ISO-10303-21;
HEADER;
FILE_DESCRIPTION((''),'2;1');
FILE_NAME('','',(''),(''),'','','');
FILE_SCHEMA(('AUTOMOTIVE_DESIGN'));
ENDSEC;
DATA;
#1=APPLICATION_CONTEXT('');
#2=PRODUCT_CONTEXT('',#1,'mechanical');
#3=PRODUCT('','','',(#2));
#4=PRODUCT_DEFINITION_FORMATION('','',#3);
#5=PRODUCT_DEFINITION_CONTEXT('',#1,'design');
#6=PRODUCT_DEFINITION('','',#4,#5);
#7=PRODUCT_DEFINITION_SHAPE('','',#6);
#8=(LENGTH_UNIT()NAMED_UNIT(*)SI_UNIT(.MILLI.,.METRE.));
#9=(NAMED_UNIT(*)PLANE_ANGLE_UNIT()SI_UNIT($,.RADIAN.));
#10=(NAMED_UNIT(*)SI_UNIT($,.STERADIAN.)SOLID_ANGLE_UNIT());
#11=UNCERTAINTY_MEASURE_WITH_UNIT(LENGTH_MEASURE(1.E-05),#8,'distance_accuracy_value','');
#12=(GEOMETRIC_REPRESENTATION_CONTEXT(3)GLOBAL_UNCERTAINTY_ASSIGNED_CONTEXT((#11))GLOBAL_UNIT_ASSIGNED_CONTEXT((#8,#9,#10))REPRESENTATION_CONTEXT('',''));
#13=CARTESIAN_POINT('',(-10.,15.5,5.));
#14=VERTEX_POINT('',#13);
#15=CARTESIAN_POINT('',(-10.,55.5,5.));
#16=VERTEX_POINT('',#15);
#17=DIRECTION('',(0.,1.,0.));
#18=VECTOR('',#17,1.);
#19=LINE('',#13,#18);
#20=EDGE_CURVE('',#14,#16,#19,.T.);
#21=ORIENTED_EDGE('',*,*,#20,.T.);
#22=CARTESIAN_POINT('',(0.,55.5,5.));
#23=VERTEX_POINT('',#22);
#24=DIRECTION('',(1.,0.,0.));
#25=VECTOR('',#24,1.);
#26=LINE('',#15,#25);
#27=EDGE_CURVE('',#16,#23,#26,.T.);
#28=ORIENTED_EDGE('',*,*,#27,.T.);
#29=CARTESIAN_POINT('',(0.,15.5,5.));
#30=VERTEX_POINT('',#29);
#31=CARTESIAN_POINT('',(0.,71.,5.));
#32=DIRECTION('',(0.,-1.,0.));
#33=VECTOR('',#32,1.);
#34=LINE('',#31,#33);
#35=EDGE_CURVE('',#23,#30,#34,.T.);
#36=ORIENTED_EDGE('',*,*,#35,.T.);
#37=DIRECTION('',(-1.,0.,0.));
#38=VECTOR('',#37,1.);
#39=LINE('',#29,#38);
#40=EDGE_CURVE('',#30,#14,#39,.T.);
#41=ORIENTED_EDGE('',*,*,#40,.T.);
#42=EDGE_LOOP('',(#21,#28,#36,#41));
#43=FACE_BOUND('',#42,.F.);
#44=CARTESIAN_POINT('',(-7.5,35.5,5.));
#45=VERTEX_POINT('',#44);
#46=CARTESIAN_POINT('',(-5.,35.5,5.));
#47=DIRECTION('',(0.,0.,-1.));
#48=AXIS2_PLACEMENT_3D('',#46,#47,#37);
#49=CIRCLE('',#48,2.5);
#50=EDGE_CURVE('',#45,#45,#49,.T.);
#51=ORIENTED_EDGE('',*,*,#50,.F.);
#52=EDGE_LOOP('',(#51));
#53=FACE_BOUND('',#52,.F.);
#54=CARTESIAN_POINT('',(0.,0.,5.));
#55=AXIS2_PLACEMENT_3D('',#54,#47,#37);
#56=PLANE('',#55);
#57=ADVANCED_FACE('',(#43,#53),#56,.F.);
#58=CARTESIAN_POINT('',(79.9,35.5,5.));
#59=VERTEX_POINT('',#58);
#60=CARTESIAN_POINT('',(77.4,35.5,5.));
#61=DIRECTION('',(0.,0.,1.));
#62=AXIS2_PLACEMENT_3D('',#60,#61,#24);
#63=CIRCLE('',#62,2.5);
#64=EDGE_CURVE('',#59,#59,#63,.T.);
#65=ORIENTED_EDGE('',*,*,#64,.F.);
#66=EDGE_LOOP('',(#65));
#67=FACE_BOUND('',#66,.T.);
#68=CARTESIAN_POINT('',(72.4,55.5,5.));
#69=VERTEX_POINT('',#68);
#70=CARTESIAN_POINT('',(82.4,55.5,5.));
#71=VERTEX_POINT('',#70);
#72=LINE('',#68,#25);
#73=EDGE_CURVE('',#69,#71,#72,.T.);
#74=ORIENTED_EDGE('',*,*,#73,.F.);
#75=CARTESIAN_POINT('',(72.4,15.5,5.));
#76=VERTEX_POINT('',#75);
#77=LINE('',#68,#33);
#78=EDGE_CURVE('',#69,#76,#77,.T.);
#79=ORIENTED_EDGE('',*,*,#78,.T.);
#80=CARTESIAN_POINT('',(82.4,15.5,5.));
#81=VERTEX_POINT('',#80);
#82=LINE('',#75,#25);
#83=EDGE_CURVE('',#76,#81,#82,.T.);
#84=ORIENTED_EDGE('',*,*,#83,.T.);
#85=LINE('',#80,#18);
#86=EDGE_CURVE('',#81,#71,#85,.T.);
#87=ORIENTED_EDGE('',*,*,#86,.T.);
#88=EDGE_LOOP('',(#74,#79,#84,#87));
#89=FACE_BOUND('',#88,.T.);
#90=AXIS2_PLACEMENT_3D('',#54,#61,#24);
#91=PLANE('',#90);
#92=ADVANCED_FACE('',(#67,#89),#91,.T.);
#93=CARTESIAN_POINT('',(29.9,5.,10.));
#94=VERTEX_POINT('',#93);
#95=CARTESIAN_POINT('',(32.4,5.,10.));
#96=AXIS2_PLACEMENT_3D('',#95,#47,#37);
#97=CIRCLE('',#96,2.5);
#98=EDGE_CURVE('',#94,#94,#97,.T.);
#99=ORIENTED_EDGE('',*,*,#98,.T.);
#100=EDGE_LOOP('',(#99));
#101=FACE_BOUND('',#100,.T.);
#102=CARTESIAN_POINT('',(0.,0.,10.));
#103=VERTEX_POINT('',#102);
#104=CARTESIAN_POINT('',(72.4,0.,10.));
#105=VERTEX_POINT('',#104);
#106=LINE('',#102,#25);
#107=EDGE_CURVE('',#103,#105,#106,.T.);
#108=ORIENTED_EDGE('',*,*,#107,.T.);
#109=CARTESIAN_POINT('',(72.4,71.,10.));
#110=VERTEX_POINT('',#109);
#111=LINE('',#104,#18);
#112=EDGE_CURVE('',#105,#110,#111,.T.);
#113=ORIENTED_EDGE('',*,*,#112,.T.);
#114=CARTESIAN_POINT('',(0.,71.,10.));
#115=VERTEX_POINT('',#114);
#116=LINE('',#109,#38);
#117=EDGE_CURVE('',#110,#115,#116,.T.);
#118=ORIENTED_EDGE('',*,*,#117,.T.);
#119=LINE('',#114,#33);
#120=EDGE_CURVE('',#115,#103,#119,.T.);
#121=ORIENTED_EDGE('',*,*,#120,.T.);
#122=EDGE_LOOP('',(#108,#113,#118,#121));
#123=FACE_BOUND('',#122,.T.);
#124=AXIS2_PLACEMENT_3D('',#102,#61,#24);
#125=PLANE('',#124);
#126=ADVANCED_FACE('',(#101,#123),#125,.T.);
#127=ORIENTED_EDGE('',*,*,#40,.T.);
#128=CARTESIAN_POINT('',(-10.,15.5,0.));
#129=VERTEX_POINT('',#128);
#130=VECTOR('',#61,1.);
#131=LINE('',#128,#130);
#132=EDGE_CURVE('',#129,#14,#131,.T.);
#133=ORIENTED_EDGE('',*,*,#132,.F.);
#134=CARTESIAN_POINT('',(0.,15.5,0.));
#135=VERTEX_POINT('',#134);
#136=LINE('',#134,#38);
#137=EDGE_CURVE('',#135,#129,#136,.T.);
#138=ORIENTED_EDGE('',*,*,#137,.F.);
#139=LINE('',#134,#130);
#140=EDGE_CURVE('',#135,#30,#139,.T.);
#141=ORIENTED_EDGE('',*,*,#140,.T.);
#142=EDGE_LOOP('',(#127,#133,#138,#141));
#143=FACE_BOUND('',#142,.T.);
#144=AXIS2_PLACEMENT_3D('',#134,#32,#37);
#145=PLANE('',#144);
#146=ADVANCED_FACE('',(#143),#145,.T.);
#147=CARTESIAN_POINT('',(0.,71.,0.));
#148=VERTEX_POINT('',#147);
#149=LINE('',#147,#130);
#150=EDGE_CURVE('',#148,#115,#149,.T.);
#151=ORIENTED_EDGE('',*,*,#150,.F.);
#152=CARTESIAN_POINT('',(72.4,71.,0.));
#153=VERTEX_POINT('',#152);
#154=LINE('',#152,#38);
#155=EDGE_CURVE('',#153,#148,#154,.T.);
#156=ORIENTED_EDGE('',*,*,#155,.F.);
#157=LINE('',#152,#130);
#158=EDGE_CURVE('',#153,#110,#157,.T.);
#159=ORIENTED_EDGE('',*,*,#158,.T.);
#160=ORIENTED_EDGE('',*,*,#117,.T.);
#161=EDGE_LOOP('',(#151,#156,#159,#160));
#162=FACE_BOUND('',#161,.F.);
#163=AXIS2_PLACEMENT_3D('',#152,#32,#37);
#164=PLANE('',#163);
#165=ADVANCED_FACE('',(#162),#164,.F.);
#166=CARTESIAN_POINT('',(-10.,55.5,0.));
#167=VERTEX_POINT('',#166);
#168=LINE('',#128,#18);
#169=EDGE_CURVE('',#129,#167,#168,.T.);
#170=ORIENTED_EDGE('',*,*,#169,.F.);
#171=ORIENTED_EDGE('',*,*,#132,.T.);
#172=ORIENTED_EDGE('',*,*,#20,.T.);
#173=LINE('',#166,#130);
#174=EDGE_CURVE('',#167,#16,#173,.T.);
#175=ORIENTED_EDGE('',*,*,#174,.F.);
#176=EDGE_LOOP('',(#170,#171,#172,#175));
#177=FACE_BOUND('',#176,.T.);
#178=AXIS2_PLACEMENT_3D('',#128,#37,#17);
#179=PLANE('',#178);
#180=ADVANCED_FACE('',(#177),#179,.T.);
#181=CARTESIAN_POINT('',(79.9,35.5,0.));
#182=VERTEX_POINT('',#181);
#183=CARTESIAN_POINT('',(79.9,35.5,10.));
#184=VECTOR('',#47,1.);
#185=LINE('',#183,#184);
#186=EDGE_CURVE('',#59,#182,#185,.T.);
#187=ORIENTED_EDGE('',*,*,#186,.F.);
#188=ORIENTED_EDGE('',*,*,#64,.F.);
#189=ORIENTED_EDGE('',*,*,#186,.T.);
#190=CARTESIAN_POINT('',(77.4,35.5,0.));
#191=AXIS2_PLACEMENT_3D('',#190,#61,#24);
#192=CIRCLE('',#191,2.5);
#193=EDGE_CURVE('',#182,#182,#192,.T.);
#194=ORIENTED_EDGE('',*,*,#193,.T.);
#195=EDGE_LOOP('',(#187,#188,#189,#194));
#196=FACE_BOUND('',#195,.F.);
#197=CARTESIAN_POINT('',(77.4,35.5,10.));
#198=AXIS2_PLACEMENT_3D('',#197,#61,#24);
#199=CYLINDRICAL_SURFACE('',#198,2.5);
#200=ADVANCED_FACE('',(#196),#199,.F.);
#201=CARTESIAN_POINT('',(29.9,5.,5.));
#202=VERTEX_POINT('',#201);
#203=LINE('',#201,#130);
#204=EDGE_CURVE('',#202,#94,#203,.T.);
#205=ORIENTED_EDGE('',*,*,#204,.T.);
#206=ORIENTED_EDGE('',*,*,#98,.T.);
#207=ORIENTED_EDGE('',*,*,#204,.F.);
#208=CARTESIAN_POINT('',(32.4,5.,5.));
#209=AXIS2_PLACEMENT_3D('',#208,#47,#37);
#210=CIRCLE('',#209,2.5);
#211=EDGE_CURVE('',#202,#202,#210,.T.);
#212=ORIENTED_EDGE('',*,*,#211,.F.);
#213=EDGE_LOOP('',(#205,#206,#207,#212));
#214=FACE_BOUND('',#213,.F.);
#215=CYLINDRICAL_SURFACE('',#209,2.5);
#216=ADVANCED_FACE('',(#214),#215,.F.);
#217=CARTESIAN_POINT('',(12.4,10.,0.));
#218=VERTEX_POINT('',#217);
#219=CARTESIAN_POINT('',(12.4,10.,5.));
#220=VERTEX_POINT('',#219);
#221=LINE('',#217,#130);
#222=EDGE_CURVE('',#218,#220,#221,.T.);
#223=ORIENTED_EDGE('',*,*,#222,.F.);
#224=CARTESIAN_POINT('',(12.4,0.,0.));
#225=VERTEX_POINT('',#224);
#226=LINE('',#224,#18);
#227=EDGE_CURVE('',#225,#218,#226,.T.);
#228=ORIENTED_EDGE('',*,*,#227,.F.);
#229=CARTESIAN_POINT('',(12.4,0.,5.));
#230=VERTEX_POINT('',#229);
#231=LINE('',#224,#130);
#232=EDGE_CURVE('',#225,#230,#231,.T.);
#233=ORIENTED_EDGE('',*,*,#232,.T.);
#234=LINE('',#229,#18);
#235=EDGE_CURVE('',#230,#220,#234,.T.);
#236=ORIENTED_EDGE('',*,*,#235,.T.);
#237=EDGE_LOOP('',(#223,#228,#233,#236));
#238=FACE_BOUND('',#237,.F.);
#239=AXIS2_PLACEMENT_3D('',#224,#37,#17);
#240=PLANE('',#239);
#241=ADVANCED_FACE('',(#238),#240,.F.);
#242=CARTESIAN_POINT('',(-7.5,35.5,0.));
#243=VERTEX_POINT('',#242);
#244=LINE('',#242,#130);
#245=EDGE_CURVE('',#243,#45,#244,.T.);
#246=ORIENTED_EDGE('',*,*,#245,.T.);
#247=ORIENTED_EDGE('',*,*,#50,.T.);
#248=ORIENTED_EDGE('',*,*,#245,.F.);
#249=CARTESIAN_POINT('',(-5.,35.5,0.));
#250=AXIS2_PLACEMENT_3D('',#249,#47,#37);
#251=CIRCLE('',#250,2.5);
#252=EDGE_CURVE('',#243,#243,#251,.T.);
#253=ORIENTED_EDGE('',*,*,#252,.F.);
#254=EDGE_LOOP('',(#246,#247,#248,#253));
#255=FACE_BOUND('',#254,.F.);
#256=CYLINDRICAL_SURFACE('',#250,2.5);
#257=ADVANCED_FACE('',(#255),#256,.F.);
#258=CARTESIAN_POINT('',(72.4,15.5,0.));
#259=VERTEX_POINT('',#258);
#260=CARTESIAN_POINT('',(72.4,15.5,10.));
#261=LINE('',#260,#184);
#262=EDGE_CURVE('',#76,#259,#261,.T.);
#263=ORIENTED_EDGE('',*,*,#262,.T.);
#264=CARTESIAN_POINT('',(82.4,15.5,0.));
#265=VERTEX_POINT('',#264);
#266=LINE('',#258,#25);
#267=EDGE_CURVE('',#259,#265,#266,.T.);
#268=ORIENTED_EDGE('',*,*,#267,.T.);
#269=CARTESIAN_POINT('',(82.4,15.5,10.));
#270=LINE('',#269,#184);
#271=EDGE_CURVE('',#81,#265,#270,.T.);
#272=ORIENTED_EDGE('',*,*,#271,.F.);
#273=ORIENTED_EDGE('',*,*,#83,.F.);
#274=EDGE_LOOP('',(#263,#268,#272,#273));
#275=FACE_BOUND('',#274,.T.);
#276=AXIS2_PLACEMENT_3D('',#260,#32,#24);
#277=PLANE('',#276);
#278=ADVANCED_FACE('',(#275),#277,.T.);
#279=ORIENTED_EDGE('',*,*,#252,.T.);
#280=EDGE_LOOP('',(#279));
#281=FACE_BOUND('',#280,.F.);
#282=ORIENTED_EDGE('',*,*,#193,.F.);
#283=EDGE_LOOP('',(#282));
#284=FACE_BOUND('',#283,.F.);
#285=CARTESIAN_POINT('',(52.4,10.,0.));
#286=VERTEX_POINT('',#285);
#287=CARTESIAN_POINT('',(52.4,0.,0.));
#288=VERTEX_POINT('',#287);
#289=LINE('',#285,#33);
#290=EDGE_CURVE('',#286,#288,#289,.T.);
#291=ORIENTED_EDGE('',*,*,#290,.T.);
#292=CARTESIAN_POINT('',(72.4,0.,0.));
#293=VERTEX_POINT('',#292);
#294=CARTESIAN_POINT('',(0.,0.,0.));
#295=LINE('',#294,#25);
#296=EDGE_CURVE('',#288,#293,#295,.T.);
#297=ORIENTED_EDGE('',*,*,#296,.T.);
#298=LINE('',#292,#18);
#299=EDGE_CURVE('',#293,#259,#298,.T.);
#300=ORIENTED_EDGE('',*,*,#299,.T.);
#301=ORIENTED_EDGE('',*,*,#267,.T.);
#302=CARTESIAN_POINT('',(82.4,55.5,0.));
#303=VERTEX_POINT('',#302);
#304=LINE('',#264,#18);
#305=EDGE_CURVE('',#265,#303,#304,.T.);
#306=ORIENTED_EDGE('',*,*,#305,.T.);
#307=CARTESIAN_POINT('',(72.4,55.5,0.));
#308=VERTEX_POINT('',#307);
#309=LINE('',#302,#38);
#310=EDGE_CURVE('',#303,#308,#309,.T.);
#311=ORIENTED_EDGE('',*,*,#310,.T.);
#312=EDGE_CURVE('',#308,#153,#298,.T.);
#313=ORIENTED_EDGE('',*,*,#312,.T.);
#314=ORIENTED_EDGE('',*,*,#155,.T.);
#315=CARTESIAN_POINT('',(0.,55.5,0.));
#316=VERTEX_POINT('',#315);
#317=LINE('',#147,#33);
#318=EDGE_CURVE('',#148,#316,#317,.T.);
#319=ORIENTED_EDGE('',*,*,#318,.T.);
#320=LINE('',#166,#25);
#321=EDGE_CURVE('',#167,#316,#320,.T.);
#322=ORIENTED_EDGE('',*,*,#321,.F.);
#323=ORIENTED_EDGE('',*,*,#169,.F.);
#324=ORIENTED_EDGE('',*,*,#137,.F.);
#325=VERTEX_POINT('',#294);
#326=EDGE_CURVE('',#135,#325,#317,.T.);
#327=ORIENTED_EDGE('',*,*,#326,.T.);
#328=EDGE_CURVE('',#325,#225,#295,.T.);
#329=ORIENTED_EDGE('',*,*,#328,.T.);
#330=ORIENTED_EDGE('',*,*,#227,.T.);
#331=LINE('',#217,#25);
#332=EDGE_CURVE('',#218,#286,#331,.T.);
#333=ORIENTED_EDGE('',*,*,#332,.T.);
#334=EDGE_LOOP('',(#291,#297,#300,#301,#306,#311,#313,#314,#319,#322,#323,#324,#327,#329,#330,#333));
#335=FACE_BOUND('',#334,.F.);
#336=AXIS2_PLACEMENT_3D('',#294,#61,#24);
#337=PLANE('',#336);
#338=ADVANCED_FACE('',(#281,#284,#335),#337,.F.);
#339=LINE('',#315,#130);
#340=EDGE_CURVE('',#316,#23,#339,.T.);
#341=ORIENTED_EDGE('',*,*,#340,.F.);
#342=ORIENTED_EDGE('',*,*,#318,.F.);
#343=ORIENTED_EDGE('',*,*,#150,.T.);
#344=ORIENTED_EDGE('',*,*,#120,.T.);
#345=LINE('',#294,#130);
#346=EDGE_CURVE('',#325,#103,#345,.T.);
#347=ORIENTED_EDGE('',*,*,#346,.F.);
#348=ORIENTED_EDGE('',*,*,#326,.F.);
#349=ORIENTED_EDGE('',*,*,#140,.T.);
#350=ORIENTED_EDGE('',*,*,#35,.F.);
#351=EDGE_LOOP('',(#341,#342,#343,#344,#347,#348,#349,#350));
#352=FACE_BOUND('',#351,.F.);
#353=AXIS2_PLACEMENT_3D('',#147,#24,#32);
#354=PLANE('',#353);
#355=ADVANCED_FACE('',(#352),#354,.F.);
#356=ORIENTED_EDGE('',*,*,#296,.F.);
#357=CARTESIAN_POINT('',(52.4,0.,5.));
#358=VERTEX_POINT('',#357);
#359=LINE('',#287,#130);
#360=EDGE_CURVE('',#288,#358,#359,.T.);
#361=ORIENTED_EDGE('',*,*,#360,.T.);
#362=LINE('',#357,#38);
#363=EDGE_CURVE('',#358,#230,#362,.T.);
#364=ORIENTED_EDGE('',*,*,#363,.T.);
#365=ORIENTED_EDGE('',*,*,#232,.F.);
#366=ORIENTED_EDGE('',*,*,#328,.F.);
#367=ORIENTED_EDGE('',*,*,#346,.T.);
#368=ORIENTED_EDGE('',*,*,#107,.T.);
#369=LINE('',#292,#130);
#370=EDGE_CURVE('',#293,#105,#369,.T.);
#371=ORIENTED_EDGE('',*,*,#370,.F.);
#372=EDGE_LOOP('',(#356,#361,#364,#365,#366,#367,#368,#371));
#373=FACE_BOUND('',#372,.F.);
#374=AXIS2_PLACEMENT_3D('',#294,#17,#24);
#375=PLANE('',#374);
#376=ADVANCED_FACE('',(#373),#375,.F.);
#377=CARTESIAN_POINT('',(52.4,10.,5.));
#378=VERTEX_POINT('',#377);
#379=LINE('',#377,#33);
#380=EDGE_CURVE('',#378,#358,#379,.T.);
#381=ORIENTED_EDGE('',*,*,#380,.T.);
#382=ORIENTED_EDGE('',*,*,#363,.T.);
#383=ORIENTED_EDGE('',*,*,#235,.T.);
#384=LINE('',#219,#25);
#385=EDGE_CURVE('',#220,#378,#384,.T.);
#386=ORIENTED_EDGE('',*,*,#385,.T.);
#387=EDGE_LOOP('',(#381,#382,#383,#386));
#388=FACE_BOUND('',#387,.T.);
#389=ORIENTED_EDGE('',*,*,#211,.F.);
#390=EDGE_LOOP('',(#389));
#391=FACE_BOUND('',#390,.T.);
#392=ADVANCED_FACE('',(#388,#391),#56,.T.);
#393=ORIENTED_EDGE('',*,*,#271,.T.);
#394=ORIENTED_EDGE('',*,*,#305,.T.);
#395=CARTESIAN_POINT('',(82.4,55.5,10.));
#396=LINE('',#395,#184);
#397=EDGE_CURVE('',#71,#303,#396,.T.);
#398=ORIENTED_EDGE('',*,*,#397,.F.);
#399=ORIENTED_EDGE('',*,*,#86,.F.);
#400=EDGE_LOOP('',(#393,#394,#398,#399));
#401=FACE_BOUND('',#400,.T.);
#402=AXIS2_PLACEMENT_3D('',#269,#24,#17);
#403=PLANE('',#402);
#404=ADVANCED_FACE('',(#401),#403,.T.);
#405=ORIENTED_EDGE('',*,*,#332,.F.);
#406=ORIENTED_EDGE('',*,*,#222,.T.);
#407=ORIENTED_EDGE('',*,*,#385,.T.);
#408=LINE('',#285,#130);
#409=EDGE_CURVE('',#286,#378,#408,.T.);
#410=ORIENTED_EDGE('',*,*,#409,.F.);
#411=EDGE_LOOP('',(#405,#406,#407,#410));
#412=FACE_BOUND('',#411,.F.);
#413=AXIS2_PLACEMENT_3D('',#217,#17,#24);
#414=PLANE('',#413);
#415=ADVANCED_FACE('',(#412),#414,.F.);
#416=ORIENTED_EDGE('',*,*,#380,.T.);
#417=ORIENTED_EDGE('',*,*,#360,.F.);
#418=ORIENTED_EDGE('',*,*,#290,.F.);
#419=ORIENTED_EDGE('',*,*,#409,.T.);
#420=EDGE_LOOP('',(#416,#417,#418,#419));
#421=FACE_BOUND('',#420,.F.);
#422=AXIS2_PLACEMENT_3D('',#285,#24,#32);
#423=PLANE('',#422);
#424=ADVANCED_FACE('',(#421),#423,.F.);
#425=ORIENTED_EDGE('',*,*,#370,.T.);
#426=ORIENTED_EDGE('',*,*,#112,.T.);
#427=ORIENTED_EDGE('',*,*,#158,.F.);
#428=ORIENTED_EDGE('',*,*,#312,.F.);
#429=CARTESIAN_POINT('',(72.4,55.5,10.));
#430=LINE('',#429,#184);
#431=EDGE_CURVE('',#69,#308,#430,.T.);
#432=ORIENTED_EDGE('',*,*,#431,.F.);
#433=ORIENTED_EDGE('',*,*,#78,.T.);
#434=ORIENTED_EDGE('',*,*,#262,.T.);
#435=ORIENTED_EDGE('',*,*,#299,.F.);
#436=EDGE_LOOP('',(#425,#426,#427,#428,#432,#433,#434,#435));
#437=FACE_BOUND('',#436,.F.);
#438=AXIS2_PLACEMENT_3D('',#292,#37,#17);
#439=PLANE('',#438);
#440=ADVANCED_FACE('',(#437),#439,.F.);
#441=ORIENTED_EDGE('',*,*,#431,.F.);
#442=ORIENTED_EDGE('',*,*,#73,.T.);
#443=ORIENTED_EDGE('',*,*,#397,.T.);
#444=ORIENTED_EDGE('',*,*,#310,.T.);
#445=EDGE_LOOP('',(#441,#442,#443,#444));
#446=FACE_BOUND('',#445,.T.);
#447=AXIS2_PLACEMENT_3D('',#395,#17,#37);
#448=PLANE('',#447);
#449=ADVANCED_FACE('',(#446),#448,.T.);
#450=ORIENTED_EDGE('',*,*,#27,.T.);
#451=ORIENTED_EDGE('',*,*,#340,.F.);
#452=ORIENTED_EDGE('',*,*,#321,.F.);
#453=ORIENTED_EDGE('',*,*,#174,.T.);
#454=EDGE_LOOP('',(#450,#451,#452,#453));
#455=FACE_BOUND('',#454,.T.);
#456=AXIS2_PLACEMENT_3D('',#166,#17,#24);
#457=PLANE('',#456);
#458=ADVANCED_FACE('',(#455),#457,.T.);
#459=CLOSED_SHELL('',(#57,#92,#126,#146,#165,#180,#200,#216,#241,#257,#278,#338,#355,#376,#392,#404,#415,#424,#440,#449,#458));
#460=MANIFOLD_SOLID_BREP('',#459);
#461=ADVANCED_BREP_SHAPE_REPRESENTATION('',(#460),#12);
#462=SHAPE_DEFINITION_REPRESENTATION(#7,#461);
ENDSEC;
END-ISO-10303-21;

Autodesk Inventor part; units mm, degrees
ref_plane "YZ Plane" through (0, 0, 0) normal (1, 0, 0) x (0, 1, 0)
ref_plane "XZ Plane" through (0, 0, 0) normal (0, 1, 0) x (-1, 0, 0)
ref_plane "XY Plane" through (0, 0, 0) normal (0, 0, 1) x (1, 0, 0)
sketch "Sketch1" plane through (0, 0, 0) normal (0, 0, 1) x (1, 0, 0)
  line L0 (0, 0) -> (72.4, 0)
  line L1 (72.4, 0) -> (72.4, 71)
  line L2 (72.4, 71) -> (0, 71)
  line L3 (0, 71) -> (0, 0)
  dimension "d0" = 72.4
  dimension "d1" = 71
extrude "Extrusion1" add sketch "Sketch1" along normal blind 10
sketch "Sketch2" plane through (0, 0, 10) normal (0, 0, 1) x (1, 0, 0)
  line L0 (72.4, 0) -> (72.4, 71) projected
  line L1 (72.4, 15.5) -> (82.4, 15.5)
  line L2 (82.4, 15.5) -> (82.4, 55.5)
  line L3 (82.4, 55.5) -> (72.4, 55.5)
  line L4 (72.4, 55.5) -> (72.4, 15.5)
  line L5 (72.4, 71) -> (0, 71) projected
  circle A0 centre (77.4, 35.5) radius 2.5
  line L6 (0, 0) -> (72.4, 0) projected
  point P0 (82.4, 35.5)
  point P1 (77.4, 55.5)
  dimension "d4" = 10
  dimension "d5" = 40
  dimension "d7" = 5
  dimension "d31" = 15.5
extrude "Extrusion2" add sketch "Sketch2" against normal blind 10
sketch "Sketch3" plane through (0, 0, 10) normal (0, 0, 1) x (1, 0, 0)
  line L0 (72.4, 55.5) -> (82.4, 55.5) projected
  line L1 (72.4, 15.5) -> (82.4, 15.5) projected
  line L2 (82.4, 55.5) -> (72.4, 55.5)
  line L3 (72.4, 55.5) -> (72.4, 15.5)
  line L4 (72.4, 15.5) -> (82.4, 15.5)
  line L5 (82.4, 15.5) -> (82.4, 55.5)
  point P0 (0, 0)
extrude "Extrusion3" cut sketch "Sketch3" against normal blind 5
sketch "Sketch8" plane through (0, 0, 0) normal (0, 0, -1) x (-1, 0, 0)
  line L0 (-12.4, 10) -> (-52.4, 10)
  line L1 (-52.4, 10) -> (-52.4, 0)
  line L2 (-52.4, 0) -> (-12.4, 0)
  line L3 (-12.4, 0) -> (-12.4, 10)
  line L4 (0, 0) -> (-72.4, 0) projected
  line L5 (-72.4, 0) -> (-72.4, 15.5) projected
  line L6 (-72.4, 71) -> (0, 71) projected
  point P0 (-36.2, 0)
  point P1 (-32.4, 10)
  point P2 (-32.4, 0)
  dimension "d32" = 40
  dimension "d33" = 10
  dimension "d34" = 20
extrude "Extrusion8" cut sketch "Sketch8" against normal blind 5
sketch "Sketch9" plane through (0, 0, 5) normal (0, 0, -1) x (-1, 0, 0)
  line L0 (-52.4, 0) -> (-52.4, 10) construction
  line L1 (-12.4, 10) -> (-12.4, 0) construction
  circle A0 centre (-32.4, 5) radius 2.5
  line L2 (-52.4, 10) -> (-12.4, 10) projected
  line L3 (-12.4, 0) -> (-52.4, 0) projected
  point P0 (0, 0)
  point P1 (-32.4, 0)
  point P2 (-12.4, 5)
  dimension "d37" = 5
extrude "Extrusion9" cut sketch "Sketch9" against normal through all
sketch "Sketch10" plane through (0, 0, 0) normal (0, 0, -1) x (-1, 0, 0)
  line L0 (0, 71) -> (0, 0) projected
  line L1 (0, 15.5) -> (10, 15.5)
  line L2 (10, 15.5) -> (10, 55.5)
  line L3 (10, 55.5) -> (0, 55.5)
  line L4 (0, 55.5) -> (0, 15.5)
  circle A0 centre (5, 35.5) radius 2.5
  point P0 (-82.4, 15.5)
  point P1 (10, 35.5)
  point P2 (5, 15.5)
  dimension "d40" = 10
  dimension "d41" = 40
  dimension "d42" = 5
extrude "Extrusion10" add sketch "Sketch10" against normal blind 5
properties part number "SP002" material "ABS Plastic"
